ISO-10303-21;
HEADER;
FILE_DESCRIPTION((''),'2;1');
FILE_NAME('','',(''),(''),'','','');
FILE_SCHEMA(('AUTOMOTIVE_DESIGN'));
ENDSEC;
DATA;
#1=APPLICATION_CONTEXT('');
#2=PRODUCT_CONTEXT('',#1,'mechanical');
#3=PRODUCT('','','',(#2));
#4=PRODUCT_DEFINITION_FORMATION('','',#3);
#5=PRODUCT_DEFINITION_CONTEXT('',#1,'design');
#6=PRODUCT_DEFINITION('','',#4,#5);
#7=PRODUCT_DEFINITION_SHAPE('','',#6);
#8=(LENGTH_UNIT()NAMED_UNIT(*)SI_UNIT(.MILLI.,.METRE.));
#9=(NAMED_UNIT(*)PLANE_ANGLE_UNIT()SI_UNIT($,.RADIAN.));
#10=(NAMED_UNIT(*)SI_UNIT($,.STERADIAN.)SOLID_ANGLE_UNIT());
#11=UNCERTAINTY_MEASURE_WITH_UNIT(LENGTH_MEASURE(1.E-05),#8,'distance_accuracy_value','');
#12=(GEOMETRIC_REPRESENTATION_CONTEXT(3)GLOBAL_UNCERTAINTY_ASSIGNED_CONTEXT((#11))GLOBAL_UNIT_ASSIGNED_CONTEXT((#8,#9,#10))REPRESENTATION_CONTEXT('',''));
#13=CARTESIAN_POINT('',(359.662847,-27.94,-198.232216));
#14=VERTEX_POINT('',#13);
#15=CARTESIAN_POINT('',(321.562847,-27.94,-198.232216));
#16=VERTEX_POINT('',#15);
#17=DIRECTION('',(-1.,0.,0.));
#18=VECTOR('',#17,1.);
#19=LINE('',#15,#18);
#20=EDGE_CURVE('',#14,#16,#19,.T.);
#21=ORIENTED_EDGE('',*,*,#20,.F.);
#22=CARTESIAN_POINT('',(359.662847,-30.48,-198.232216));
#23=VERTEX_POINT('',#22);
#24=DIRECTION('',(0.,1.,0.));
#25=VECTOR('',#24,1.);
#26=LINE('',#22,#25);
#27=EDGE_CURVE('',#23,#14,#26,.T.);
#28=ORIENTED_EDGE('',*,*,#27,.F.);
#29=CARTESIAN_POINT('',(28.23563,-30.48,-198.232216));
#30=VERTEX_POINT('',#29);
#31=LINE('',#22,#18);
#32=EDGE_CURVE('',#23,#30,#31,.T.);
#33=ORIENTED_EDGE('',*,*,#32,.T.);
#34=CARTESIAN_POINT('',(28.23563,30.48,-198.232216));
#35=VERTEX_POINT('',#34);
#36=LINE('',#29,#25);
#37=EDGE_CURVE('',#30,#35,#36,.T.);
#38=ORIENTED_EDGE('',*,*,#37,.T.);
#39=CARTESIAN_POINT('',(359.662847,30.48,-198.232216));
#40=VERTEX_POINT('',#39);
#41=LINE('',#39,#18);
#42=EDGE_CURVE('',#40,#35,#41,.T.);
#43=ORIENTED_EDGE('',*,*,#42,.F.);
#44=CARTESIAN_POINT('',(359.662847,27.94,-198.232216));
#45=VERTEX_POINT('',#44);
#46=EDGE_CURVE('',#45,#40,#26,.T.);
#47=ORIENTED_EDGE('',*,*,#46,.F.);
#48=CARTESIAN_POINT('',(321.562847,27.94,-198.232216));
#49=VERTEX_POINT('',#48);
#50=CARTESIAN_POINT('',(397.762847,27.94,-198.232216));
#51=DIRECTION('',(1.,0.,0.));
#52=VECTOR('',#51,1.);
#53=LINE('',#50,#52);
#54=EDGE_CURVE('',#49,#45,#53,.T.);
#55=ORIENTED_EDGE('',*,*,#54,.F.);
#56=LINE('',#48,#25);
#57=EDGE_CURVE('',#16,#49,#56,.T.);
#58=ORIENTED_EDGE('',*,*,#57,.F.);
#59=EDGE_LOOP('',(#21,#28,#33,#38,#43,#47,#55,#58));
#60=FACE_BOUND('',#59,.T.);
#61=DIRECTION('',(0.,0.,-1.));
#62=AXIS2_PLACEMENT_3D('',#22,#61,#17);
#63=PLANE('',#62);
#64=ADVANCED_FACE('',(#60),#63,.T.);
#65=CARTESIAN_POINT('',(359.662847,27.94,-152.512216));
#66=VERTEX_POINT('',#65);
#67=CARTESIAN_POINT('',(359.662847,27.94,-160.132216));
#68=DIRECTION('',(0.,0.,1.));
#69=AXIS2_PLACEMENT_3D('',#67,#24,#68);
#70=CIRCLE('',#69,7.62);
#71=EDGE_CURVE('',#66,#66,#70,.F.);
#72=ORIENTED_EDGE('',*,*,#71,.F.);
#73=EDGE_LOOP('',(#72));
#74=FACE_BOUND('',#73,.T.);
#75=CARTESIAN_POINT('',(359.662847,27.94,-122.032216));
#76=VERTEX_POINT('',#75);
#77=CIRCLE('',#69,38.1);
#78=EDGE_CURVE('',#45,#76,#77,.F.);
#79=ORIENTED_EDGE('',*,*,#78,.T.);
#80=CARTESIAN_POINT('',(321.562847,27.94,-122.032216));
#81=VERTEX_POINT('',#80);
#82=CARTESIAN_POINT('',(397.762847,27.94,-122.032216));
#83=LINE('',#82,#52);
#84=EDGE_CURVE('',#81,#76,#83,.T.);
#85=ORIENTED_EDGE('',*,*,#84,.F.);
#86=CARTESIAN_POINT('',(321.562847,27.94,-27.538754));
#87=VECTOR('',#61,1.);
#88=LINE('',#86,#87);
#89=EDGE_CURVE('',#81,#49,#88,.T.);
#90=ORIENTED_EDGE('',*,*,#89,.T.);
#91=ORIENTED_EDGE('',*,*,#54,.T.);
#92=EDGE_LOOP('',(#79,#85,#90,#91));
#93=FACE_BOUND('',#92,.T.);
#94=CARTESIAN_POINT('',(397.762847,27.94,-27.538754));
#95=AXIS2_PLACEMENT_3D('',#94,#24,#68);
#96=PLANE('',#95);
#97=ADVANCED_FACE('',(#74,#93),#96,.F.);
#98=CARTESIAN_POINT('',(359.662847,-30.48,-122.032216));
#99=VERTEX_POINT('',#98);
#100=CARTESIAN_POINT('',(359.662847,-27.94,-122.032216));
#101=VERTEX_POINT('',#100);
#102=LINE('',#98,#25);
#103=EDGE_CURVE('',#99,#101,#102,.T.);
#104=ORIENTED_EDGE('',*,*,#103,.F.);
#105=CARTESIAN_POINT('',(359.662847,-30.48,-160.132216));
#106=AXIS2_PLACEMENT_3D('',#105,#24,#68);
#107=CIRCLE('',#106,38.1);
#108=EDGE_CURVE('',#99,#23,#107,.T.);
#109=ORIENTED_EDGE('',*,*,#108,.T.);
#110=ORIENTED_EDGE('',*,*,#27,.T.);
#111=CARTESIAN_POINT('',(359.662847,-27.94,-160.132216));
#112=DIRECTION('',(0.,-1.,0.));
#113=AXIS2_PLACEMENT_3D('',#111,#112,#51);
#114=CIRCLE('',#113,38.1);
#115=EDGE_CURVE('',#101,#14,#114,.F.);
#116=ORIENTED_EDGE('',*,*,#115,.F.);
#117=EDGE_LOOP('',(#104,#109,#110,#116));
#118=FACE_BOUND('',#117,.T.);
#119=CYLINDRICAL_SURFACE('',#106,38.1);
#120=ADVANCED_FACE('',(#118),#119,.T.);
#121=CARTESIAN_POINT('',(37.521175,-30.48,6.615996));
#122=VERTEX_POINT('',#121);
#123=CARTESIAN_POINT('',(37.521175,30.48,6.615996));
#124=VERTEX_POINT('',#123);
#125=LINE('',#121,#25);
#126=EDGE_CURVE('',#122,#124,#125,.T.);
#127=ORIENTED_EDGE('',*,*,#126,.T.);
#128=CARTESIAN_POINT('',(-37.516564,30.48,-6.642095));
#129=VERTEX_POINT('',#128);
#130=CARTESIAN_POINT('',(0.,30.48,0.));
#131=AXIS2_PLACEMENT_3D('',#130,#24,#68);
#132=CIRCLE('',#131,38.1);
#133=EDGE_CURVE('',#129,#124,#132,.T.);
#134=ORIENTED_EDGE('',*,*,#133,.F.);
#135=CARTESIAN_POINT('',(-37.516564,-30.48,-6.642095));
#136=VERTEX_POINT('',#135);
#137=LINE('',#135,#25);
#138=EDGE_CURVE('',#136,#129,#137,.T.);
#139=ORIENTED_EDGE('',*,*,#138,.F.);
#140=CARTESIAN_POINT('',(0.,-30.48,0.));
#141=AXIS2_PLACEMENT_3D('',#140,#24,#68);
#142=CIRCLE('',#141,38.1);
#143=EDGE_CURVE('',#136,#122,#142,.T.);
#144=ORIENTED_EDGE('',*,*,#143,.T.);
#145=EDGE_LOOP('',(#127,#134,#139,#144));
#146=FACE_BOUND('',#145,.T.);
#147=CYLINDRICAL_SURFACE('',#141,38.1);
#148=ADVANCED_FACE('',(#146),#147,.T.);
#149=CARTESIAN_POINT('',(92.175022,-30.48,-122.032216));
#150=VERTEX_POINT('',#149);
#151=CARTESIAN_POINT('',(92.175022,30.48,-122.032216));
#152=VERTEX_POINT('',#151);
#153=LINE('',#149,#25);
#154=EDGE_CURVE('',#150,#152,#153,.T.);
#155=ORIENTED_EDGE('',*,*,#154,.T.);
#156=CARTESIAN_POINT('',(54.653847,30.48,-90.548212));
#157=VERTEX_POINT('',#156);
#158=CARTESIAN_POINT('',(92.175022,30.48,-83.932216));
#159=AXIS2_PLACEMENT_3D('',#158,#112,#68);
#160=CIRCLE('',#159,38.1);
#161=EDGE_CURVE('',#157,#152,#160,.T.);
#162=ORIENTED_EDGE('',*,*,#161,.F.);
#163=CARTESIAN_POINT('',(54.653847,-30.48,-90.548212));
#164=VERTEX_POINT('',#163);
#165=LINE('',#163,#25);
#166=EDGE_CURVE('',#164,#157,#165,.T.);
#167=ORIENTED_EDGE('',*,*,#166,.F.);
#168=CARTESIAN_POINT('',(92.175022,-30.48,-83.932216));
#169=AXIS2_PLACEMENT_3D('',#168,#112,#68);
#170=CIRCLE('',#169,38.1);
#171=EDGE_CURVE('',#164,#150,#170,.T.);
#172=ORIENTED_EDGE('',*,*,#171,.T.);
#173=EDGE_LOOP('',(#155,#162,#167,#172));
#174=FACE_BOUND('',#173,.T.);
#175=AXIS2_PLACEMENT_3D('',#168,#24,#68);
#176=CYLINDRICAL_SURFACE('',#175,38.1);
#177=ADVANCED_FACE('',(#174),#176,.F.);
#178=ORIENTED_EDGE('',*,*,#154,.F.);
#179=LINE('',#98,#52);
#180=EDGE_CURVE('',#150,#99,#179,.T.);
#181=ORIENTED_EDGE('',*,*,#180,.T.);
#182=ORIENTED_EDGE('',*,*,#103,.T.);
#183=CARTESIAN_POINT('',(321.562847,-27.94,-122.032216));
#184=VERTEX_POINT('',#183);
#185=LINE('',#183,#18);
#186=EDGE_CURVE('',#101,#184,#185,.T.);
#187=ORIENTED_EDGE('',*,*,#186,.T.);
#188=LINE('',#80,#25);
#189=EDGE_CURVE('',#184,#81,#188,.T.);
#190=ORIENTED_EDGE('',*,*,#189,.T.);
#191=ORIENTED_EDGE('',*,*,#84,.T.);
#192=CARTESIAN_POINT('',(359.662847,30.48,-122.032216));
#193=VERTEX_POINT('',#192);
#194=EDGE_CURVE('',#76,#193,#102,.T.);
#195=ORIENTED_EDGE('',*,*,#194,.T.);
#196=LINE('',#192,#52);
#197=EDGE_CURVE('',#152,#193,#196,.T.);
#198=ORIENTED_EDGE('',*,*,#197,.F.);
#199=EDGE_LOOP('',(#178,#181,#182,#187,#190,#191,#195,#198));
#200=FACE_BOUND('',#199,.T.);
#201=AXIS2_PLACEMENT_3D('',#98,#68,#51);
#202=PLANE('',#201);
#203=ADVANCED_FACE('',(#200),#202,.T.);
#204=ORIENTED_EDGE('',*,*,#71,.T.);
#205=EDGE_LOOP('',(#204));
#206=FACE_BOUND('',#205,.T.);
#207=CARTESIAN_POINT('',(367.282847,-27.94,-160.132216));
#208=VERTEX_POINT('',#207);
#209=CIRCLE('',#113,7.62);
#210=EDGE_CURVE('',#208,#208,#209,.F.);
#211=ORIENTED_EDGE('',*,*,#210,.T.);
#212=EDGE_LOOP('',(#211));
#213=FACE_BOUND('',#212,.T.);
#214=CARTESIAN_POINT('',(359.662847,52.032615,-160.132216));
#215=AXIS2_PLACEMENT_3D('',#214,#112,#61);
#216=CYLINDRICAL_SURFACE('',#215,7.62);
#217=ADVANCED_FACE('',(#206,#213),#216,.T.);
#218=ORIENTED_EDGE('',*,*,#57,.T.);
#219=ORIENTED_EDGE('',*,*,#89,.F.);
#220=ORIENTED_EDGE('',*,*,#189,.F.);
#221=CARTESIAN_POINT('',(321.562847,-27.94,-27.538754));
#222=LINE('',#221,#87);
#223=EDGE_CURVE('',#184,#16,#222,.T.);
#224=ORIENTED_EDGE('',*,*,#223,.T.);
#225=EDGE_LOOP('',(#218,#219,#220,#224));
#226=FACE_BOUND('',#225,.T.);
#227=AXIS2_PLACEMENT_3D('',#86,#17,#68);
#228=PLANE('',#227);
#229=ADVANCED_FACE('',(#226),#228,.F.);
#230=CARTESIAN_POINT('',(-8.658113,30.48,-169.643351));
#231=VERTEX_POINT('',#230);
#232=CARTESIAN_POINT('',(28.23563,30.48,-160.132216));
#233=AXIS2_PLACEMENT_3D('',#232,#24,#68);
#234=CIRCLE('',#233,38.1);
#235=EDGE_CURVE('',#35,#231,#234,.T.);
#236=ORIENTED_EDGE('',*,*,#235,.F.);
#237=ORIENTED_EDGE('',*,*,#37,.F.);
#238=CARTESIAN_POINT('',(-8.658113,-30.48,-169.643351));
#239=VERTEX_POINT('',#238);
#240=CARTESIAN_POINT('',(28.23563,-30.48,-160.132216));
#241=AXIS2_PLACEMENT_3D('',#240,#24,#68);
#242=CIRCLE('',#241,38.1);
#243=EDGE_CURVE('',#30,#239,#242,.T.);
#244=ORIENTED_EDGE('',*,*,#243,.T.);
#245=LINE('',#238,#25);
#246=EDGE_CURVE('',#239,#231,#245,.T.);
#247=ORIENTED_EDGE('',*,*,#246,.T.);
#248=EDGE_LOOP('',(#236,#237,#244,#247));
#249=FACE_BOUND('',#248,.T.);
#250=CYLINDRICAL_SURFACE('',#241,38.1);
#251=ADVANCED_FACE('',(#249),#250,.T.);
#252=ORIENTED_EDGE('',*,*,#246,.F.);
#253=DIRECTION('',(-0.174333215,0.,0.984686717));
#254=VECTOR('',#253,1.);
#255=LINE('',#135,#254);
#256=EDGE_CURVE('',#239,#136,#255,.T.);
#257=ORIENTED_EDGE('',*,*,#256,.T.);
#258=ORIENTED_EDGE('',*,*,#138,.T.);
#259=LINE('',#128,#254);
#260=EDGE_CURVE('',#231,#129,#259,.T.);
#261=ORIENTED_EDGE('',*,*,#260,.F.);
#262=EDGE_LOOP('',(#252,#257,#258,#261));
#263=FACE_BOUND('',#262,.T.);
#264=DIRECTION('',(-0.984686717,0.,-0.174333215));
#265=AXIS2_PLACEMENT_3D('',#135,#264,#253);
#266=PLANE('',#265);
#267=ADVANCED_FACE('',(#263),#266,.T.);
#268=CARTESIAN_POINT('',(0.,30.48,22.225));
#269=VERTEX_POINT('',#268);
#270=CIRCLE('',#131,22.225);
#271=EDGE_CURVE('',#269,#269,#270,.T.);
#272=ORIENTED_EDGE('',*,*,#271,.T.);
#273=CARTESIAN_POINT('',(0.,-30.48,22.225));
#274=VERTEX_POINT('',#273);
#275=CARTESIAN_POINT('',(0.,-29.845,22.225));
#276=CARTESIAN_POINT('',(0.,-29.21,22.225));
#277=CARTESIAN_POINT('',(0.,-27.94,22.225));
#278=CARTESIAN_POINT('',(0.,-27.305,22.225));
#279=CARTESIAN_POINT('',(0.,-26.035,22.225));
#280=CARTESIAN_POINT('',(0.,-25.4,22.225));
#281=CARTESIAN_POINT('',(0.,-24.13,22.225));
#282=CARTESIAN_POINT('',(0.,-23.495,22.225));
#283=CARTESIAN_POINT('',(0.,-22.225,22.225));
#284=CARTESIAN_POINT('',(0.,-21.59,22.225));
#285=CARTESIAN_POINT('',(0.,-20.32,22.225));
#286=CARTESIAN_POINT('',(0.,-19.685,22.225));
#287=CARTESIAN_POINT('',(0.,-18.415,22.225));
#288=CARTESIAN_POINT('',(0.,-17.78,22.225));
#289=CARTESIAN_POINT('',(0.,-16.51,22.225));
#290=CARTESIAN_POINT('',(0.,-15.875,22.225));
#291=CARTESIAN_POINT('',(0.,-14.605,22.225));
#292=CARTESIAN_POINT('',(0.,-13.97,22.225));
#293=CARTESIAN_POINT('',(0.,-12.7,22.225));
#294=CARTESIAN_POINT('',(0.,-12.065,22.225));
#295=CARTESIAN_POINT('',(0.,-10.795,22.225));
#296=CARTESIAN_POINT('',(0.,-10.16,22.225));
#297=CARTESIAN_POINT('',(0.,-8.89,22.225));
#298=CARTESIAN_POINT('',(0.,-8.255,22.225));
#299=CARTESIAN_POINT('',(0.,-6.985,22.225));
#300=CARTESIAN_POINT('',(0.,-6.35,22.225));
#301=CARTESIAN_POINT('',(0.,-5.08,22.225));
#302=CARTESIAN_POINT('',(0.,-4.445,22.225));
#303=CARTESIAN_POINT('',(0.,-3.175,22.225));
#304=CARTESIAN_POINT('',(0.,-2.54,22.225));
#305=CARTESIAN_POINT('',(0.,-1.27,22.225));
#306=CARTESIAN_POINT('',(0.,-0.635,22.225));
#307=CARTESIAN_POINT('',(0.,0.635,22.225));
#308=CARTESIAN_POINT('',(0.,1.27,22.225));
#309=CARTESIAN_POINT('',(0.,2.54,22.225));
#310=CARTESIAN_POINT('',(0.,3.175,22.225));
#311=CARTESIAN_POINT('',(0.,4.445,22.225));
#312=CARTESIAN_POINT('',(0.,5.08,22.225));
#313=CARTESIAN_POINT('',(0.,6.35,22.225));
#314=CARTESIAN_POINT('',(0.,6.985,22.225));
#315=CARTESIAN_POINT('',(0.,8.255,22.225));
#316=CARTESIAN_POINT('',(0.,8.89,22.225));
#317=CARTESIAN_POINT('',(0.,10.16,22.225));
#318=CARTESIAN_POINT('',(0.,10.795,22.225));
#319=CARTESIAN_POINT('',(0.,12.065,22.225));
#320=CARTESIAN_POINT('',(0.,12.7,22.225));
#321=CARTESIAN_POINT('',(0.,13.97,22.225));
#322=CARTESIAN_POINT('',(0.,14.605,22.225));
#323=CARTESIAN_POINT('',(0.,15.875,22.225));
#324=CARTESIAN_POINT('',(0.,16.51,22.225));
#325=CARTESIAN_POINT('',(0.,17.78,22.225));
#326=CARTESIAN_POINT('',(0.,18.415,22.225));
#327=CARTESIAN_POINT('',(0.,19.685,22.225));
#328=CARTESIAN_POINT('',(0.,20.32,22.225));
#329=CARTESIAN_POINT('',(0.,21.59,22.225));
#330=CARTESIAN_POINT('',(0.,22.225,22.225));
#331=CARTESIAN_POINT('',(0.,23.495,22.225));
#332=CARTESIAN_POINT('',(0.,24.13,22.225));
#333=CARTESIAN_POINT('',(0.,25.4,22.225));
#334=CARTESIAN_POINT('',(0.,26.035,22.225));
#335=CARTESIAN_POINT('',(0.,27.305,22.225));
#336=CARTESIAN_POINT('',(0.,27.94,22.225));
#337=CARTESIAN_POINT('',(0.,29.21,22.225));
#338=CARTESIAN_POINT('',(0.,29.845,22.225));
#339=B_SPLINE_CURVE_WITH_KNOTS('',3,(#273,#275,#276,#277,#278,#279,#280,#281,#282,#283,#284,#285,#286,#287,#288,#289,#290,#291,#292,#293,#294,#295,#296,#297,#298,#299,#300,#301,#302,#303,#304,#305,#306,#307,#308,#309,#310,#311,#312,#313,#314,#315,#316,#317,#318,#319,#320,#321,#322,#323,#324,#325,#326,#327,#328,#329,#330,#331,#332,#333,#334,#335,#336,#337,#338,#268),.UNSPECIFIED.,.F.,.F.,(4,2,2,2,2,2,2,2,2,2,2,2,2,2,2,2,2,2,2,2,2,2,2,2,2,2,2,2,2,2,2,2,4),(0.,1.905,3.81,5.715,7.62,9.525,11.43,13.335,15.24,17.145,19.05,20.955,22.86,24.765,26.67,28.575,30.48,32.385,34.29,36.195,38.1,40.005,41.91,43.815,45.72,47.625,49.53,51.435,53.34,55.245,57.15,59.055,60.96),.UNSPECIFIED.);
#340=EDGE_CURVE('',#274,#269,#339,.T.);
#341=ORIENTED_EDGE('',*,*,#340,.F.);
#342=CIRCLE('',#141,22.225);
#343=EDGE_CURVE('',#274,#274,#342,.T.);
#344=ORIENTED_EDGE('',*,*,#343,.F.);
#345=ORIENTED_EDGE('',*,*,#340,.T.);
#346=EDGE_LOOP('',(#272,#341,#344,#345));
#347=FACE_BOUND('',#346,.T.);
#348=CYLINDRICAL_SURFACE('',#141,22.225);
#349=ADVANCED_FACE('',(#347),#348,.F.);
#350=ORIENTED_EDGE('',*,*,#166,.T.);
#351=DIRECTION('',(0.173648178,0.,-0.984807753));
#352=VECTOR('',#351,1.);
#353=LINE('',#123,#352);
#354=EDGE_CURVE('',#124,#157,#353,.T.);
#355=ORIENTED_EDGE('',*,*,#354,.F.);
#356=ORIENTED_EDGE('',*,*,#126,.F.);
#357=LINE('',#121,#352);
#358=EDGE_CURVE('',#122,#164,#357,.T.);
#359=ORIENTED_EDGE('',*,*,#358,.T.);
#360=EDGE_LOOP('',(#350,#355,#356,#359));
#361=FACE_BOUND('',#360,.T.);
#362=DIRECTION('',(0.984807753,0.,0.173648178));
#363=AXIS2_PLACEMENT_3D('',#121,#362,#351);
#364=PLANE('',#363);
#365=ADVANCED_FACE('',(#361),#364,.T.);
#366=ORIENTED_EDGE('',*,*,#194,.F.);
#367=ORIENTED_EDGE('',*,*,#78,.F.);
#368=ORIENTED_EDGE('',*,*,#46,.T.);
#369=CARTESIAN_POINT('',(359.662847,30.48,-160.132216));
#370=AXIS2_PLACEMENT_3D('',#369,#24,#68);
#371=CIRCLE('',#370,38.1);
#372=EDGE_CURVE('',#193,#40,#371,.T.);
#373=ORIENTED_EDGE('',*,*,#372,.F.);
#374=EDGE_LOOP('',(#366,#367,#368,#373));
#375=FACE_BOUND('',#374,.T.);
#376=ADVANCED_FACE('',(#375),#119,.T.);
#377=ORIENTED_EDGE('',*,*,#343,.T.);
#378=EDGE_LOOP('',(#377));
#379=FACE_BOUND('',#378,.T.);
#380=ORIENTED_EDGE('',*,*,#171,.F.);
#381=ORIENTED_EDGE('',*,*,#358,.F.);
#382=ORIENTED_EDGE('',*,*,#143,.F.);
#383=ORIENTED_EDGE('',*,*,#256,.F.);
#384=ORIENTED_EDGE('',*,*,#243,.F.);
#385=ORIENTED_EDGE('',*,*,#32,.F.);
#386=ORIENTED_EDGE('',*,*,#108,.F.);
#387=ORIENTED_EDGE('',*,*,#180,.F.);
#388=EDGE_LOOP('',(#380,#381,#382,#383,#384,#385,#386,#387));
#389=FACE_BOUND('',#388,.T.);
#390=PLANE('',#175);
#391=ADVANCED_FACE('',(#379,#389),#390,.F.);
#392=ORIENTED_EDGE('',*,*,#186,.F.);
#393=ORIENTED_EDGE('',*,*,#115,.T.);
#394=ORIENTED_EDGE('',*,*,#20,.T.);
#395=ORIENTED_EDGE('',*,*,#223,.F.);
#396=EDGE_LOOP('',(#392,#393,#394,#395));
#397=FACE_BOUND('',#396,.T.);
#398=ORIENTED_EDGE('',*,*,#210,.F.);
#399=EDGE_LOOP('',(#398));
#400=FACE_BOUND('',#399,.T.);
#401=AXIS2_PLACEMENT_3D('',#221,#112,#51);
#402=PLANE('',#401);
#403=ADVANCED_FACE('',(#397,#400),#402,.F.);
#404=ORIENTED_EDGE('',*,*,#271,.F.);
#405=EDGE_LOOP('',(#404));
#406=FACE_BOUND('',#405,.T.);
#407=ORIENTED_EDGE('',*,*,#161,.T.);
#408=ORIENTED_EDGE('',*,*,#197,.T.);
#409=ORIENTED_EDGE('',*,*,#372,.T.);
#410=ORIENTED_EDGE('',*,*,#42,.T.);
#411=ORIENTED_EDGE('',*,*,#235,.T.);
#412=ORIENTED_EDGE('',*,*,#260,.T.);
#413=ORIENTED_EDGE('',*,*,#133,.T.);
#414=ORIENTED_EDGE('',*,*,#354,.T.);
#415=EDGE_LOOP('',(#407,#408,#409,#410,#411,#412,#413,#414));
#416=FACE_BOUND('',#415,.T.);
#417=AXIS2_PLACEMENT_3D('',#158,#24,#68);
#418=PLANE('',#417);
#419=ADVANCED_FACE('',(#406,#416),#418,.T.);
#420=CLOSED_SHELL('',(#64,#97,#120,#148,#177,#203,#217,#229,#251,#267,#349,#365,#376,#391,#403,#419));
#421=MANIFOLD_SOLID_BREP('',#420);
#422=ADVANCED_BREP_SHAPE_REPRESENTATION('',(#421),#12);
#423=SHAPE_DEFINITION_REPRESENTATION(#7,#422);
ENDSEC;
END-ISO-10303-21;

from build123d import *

# Parameters (mm, degrees)
BOSS_EXTRUDE1_DEPTH             = 30.48
BOSS_EXTRUDE1_DEPTH_BACK        = 30.48
SKETCH1_R                       = 22.225
SKETCH1_R_2                     = 7.62
CUT_EXTRUDE2_DEPTH              = 76.2
BOSS_EXTRUDE3_REACH             = 447.466
SKETCH5_R                       = 7.62
BOSS_EXTRUDE3_DIRECTION_2_REACH = 447.466


with BuildPart() as part:
    # Sketch1 → Boss-Extrude1 (new, two sides: drawn at the far end of the back side and taken through both)
    with BuildSketch(Plane(origin=(0, 0, 0), x_dir=(1, 0, 0), z_dir=(0, 1, 0)).offset(-BOSS_EXTRUDE1_DEPTH_BACK)):
        with BuildLine():
            Line((359.662846674, 198.232216379), (28.235630228, 198.232216379))
            ThreePointArc((28.235630228, 198.232216379), (4.898580527, 190.2485261), (-8.658113435, 169.643350826))
            Line((-8.658113435, 169.643350826), (-37.51656391, 6.642095481))
            ThreePointArc((-37.51656391, 6.642095481), (-6.629045926, -37.518871919), (37.52117539, -6.615995569))
            Line((37.52117539, -6.615995569), (54.653846734, 90.548211948))
            ThreePointArc((54.653846734, 90.548211948), (67.684814195, 113.118509662), (92.175022124, 122.032216379))
            Line((92.175022124, 122.032216379), (359.662846674, 122.032216379))
            ThreePointArc((359.662846674, 122.032216379), (397.762846674, 160.132216379), (359.662846674, 198.232216379))
        make_face()
        with Locations(Location((0, 0, 0), (0, 0, 270))):
            Circle(SKETCH1_R, mode=Mode.SUBTRACT)
        with Locations(Location((359.662846674, 160.132216379, 0), (0, 0, 270))):
            Circle(SKETCH1_R_2, mode=Mode.SUBTRACT)
    extrude(amount=BOSS_EXTRUDE1_DEPTH + BOSS_EXTRUDE1_DEPTH_BACK)

    # Sketch4 → Cut-Extrude2 (cut)
    with BuildSketch(Plane(origin=(0, 0, -198.232216379), x_dir=(-1, 0, 0), z_dir=(0, 0, -1))):
        Polygon((-397.762846674, 0), (-397.762846674, 27.94), (-321.562846674, 27.94), (-321.562846674, -27.94), (-397.762846674, -27.94), align=None)
    extrude(amount=-CUT_EXTRUDE2_DEPTH, mode=Mode.SUBTRACT)

    # Boss-Extrude3: up to this face of the body (flat: up to its plane)
    boss_extrude3_end = Plane(part.part.faces().sort_by_distance((144.088603617, 30.48, -132.672626022))[0])
    # Sketch5 → Boss-Extrude3 (add, up to the picked face)
    with BuildSketch(Plane(origin=(0, 0, 0), x_dir=(1, 0, 0), z_dir=(0, 1, 0)), mode=Mode.PRIVATE) as boss_extrude3_sk1:
        with Locations((359.662846674, 160.132216379)):
            Circle(SKETCH5_R)
    boss_extrude3_tool1 = split(extrude(boss_extrude3_sk1.sketch, amount=BOSS_EXTRUDE3_REACH, mode=Mode.PRIVATE), bisect_by=boss_extrude3_end, keep=Keep.BOTH, mode=Mode.PRIVATE)
    add(boss_extrude3_tool1.solids().sort_by(Axis((359.662847, 0, -160.132216), (0, 1, 0)))[0])

    # Boss-Extrude3 direction 2: up to this face of the body (flat: up to its plane)
    boss_extrude3_direction_2_end = Plane(part.part.faces().sort_by_distance((144.088603617, -30.48, -132.672626022))[0])
    # Sketch5 → Boss-Extrude3 direction 2 (add, up to the picked face)
    with BuildSketch(Plane(origin=(0, 0, 0), x_dir=(1, 0, 0), z_dir=(0, 1, 0)), mode=Mode.PRIVATE) as boss_extrude3_direction_2_sk1:
        with Locations((359.662846674, 160.132216379)):
            Circle(SKETCH5_R)
    boss_extrude3_direction_2_tool1 = split(extrude(boss_extrude3_direction_2_sk1.sketch, amount=-BOSS_EXTRUDE3_DIRECTION_2_REACH, mode=Mode.PRIVATE), bisect_by=boss_extrude3_direction_2_end, keep=Keep.BOTH, mode=Mode.PRIVATE)
    add(boss_extrude3_direction_2_tool1.solids().sort_by(Axis((359.662847, 0, -160.132216), (0, -1, 0)))[0])


solid = part.part
